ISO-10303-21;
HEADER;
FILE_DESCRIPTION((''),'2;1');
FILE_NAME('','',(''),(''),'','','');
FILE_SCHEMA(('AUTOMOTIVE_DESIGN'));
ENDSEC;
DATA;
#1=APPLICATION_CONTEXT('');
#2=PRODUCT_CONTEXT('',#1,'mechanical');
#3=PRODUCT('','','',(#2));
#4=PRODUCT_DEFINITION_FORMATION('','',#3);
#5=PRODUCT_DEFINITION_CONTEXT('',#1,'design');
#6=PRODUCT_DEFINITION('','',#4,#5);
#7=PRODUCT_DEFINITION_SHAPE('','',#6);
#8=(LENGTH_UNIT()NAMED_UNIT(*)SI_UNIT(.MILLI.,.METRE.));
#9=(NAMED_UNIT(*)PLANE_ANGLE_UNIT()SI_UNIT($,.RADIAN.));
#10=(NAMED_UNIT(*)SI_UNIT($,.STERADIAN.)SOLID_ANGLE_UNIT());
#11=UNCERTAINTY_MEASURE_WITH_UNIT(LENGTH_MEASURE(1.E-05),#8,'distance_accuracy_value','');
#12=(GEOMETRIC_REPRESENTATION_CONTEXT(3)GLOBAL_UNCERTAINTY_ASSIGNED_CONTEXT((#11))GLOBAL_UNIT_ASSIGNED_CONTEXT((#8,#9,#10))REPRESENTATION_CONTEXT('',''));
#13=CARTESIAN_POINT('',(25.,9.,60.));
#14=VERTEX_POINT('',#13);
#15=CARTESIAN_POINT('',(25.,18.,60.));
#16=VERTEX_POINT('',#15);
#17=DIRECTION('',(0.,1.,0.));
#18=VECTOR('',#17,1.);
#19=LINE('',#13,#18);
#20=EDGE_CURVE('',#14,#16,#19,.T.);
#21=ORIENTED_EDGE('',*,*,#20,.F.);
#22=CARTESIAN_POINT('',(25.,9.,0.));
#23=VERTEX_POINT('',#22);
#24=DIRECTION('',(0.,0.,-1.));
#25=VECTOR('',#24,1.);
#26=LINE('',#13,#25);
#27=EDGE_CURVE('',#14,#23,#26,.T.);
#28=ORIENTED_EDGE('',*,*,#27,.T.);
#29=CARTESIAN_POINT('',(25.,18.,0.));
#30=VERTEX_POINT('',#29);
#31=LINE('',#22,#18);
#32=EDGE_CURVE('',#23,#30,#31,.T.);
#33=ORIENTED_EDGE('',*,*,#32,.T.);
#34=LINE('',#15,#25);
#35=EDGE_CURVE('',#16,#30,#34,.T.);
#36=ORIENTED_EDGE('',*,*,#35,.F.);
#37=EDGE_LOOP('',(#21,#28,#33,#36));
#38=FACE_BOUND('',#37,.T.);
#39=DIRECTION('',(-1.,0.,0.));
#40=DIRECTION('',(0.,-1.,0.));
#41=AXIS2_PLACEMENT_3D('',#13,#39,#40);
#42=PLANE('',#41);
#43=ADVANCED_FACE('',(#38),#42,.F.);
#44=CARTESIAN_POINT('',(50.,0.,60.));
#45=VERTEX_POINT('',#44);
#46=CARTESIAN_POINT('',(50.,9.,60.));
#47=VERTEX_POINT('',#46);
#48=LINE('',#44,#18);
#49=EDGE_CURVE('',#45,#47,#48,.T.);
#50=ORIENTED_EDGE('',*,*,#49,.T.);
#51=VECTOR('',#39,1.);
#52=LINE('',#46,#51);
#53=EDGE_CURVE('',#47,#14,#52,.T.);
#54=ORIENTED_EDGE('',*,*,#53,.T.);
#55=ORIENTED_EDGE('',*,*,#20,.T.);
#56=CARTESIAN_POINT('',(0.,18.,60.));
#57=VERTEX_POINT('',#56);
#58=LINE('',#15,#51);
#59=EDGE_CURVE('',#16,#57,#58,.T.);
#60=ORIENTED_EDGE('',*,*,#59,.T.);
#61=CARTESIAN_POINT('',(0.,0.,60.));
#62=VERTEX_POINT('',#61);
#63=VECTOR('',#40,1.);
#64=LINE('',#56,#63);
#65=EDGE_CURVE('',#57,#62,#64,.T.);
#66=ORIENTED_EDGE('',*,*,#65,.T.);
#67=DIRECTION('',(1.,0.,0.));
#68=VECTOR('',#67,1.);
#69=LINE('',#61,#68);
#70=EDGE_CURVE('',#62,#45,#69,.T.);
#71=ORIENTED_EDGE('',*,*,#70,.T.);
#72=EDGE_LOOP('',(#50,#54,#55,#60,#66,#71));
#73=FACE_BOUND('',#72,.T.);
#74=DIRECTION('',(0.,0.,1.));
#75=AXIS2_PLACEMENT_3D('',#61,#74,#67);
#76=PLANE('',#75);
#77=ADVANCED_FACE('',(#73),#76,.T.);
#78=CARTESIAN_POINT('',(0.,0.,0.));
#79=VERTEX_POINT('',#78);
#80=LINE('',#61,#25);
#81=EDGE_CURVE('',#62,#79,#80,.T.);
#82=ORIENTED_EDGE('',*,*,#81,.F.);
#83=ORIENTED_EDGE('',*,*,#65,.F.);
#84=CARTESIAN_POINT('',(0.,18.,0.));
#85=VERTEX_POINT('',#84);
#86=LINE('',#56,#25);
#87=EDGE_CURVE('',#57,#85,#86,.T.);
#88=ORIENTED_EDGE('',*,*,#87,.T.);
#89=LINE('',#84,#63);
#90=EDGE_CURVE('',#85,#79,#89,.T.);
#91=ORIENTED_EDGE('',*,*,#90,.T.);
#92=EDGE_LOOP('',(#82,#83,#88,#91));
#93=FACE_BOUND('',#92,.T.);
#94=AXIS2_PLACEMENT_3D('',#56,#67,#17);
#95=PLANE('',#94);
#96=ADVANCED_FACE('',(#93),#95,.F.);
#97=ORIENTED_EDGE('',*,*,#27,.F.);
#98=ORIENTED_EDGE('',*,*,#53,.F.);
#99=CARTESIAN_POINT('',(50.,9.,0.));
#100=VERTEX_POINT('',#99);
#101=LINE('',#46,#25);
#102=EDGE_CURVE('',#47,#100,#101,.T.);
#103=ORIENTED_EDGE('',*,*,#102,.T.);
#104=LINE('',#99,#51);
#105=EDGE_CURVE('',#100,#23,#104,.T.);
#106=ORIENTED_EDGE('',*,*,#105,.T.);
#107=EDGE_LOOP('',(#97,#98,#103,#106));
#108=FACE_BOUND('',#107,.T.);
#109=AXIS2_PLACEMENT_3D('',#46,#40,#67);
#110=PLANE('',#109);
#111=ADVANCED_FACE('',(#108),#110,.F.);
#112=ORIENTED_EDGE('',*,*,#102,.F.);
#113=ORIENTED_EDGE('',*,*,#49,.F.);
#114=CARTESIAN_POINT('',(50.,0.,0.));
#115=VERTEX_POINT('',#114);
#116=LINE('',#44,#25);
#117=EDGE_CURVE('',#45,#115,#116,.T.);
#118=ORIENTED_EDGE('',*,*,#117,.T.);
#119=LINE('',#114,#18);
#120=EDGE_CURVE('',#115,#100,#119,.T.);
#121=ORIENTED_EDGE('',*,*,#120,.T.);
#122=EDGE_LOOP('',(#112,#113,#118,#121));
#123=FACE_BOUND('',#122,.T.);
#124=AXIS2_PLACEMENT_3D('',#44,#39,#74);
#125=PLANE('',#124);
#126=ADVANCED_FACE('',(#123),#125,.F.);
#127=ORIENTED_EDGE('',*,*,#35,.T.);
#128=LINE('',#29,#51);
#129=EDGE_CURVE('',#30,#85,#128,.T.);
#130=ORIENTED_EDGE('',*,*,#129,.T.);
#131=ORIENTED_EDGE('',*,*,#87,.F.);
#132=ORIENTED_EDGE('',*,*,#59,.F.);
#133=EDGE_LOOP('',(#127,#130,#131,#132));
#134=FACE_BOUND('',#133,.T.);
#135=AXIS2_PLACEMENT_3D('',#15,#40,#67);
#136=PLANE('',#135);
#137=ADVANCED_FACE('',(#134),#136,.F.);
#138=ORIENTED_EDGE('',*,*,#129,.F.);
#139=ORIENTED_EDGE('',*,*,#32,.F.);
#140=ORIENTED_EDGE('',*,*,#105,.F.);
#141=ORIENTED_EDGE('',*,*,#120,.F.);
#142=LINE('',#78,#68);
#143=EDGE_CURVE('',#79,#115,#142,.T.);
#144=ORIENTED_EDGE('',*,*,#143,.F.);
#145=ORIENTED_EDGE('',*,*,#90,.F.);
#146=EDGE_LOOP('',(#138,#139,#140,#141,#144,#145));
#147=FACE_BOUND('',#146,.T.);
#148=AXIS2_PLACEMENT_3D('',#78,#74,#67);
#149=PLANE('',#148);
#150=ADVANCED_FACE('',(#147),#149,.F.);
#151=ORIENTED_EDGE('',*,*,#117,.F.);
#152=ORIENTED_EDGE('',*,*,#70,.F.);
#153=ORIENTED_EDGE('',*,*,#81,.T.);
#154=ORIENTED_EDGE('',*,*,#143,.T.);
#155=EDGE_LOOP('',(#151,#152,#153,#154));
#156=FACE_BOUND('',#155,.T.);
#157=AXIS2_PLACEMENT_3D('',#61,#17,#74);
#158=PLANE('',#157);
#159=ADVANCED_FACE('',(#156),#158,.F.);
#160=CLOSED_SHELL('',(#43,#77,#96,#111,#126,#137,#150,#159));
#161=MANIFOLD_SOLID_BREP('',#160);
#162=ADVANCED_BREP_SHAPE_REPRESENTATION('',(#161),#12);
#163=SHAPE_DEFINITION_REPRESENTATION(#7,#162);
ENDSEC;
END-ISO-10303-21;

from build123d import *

# Parameters (mm, degrees)
BOSS_EXTRU_1_DEPTH = 60


with BuildPart() as part:
    # Esquisse1 → Boss.-Extru.1 (new body)
    with BuildSketch(Plane.XY):
        Polygon((0, 0), (50, 0), (50, 9), (25, 9), (25, 18), (0, 18), align=None)
    extrude(amount=BOSS_EXTRU_1_DEPTH)


solid = part.part
